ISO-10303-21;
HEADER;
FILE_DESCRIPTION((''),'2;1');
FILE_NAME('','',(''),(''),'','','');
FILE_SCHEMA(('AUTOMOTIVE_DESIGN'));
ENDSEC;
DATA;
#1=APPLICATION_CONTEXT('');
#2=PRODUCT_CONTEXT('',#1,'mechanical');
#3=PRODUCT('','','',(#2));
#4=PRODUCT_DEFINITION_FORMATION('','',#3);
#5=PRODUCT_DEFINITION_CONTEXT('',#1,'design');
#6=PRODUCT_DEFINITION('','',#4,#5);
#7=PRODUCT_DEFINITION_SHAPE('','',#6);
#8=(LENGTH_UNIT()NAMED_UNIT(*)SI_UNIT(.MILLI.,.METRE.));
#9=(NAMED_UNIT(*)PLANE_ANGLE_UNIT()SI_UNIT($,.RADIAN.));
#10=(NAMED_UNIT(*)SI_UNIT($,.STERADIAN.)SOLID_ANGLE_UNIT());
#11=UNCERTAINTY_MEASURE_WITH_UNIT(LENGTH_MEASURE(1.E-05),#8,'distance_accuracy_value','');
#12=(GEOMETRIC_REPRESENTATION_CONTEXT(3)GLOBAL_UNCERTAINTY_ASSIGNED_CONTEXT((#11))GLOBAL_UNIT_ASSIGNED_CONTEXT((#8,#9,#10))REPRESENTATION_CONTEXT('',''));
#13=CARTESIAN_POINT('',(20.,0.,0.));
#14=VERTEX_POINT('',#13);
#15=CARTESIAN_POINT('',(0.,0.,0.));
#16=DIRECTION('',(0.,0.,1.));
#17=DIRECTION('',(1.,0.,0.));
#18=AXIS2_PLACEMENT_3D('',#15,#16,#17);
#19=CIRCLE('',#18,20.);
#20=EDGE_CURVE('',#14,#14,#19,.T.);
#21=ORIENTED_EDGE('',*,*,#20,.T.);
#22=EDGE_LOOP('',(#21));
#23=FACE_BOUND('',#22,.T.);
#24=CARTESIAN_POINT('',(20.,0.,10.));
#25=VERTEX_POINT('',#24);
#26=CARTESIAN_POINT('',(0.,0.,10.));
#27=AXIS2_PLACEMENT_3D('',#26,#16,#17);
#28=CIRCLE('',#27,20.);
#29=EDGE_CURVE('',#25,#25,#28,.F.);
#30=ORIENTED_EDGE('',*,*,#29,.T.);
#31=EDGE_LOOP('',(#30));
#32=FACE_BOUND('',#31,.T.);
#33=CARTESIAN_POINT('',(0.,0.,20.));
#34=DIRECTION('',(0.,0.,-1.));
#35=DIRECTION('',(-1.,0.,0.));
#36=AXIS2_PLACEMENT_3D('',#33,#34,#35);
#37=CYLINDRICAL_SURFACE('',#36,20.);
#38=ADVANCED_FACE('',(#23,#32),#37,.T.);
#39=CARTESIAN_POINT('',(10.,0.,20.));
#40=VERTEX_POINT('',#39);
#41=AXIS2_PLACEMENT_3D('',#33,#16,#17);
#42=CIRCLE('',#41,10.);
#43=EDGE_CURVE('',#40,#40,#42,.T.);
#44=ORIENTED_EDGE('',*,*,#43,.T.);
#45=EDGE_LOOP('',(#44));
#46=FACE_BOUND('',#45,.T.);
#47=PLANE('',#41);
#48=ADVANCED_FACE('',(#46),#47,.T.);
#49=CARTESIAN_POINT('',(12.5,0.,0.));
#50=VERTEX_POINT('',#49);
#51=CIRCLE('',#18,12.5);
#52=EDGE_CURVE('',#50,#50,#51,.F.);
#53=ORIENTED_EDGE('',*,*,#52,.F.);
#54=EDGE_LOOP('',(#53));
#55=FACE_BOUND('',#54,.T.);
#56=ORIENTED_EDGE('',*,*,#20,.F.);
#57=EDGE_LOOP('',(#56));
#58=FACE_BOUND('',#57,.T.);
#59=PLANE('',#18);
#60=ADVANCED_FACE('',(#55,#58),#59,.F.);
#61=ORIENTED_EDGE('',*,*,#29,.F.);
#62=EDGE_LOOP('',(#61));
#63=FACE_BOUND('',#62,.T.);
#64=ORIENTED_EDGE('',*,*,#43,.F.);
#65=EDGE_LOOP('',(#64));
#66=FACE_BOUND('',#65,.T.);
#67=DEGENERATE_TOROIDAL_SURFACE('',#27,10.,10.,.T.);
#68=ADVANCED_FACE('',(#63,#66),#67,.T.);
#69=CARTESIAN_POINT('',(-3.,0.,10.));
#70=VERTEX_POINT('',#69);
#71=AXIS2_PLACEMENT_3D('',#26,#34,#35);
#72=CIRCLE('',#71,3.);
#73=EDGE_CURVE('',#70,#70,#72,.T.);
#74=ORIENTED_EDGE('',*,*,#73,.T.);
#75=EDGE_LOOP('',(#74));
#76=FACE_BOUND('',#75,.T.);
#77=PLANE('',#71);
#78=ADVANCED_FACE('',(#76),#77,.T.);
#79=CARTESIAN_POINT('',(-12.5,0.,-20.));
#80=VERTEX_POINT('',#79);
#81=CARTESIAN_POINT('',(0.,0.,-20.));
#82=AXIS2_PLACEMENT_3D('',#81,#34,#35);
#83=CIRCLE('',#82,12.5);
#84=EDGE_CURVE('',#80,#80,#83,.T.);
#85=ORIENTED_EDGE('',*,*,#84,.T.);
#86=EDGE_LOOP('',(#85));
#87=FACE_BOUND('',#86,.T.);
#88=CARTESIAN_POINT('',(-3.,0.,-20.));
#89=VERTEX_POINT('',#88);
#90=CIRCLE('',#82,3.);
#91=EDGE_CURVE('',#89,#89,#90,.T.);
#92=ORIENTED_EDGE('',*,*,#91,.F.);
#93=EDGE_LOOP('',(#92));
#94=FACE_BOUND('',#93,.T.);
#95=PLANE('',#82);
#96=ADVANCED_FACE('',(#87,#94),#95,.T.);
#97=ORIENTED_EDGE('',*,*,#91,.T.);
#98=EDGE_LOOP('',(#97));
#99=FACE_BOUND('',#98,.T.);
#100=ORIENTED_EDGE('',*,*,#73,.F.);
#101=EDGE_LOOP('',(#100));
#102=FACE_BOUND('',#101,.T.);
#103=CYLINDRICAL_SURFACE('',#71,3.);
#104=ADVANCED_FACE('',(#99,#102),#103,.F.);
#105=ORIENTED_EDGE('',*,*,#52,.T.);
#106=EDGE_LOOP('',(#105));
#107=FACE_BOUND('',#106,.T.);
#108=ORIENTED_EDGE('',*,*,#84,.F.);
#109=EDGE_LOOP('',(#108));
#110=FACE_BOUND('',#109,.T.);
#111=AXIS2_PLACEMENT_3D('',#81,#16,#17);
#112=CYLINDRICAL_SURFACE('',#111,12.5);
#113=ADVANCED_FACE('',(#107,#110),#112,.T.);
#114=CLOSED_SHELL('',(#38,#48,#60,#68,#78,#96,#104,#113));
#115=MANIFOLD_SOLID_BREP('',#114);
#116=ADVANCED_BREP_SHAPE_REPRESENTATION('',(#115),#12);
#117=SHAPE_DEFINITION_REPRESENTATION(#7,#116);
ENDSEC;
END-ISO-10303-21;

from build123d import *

# Parameters (mm, degrees)
ESBO_O1_R                = 20
RESSALTO_EXTRUS_O1_DEPTH = 20
FILETE1_R                = 10
ESBO_O3_R                = 12.5
RESSALTO_EXTRUS_O2_DEPTH = 20
ESBO_O6_R                = 3
CORTE_EXTRUS_O1_DEPTH    = 30


with BuildPart() as part:
    # Esboço1 → Ressalto-extrusão1 (new body)
    with BuildSketch(Plane.XY):
        Circle(ESBO_O1_R)
    extrude(amount=RESSALTO_EXTRUS_O1_DEPTH)

    # Filete1
    filete1_edges = [part.edges().sort_by_distance(p)[0] for p in [
        (-20, 0, 20),
    ]]
    fillet(filete1_edges, radius=FILETE1_R)

    # Esboço3 → Ressalto-extrusão2 (add)
    with BuildSketch(Plane(origin=(0, 0, 0), x_dir=(-1, 0, 0), z_dir=(0, 0, -1))):
        Circle(ESBO_O3_R)
    extrude(amount=RESSALTO_EXTRUS_O2_DEPTH)

    # Esboço6 → Corte-extrusão1 (cut)
    with BuildSketch(Plane(origin=(0, 0, -20), x_dir=(-1, 0, 0), z_dir=(0, 0, -1))):
        Circle(ESBO_O6_R)
    extrude(amount=-CORTE_EXTRUS_O1_DEPTH, mode=Mode.SUBTRACT)


solid = part.part
